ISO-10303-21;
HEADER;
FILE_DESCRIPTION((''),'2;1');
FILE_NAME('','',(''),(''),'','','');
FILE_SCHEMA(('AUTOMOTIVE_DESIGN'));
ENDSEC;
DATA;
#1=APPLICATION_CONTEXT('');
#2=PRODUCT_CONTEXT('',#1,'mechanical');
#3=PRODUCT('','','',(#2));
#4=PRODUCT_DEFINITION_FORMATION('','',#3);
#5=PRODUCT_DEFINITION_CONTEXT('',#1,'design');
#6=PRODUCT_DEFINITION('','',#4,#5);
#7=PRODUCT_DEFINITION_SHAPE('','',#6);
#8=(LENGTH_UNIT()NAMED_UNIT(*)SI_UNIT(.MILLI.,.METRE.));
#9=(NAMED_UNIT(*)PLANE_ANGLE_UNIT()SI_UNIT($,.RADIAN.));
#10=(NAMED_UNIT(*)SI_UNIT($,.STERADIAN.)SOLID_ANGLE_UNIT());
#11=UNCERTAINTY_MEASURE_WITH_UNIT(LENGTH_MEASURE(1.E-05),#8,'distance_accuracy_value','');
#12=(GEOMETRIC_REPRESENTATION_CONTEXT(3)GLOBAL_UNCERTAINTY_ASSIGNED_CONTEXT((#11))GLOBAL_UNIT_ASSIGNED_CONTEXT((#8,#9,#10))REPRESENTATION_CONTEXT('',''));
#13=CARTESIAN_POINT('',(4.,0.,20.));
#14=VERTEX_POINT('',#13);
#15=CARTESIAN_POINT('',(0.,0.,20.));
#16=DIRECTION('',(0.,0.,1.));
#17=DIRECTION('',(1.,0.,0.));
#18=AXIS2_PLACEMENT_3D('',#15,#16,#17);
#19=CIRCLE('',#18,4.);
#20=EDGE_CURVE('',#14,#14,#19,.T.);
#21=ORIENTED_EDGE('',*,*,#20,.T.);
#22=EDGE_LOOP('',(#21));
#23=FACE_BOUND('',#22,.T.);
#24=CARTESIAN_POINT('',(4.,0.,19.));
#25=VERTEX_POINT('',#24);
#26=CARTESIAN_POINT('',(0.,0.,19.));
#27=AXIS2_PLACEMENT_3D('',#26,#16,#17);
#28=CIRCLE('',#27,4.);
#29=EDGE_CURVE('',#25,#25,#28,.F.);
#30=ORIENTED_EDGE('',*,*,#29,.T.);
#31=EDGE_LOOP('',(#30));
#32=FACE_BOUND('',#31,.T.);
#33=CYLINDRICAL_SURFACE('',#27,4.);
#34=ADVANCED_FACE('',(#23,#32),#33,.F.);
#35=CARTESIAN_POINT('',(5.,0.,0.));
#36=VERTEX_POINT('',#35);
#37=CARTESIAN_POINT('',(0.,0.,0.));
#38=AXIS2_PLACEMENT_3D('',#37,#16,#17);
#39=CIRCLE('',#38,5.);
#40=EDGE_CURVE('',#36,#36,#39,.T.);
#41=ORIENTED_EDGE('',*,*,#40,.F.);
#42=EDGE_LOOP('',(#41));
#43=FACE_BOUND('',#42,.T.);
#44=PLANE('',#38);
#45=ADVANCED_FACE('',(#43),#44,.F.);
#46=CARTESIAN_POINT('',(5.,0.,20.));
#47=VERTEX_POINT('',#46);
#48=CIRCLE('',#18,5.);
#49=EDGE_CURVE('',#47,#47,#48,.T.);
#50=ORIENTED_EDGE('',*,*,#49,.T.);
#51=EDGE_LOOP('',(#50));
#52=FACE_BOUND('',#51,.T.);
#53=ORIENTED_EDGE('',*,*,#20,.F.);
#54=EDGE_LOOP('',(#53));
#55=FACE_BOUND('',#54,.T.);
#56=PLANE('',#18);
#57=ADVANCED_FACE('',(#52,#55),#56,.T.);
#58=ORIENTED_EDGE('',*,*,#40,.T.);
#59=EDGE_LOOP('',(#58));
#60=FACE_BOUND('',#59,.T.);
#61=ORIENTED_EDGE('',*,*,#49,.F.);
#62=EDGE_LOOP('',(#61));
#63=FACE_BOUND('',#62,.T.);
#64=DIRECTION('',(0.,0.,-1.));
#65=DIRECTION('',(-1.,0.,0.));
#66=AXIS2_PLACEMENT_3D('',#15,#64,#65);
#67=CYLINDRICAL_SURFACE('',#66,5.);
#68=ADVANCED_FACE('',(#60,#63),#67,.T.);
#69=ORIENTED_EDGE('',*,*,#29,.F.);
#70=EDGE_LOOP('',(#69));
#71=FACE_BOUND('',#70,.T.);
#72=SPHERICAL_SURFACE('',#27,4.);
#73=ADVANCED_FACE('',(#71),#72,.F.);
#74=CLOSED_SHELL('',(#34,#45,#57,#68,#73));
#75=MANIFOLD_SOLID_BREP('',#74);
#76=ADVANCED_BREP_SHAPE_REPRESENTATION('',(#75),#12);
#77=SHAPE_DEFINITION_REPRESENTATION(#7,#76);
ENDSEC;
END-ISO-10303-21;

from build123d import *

# Parameters (mm, degrees)
SCHIZZO1_R                   = 5
ESTRUSIONE_ESTRUSIONE1_DEPTH = 20
SCHIZZO2_R                   = 4
TAGLIO_ESTRUSIONE1_DEPTH     = 1


with BuildPart() as part:
    # Schizzo1 → Estrusione-Estrusione1 (new body)
    with BuildSketch(Plane.XY):
        Circle(SCHIZZO1_R)
    extrude(amount=ESTRUSIONE_ESTRUSIONE1_DEPTH)

    # Schizzo2 → Taglio-Estrusione1 (cut)
    with BuildSketch(Plane.XY.offset(20)):
        Circle(SCHIZZO2_R)
    extrude(amount=-TAGLIO_ESTRUSIONE1_DEPTH, mode=Mode.SUBTRACT)

    # Schizzo15 → Taglia-Rivoluzione2 (revolve, cut)
    with BuildSketch(Plane.XY.offset(19)):
        with BuildLine():
            Line((0, -4), (0, 4))
            ThreePointArc((0, 4), (-4, 0), (0, -4))
        make_face()
    revolve(axis=Axis((0, -4, 19), (0, 1, 0)), mode=Mode.SUBTRACT)


solid = part.part
